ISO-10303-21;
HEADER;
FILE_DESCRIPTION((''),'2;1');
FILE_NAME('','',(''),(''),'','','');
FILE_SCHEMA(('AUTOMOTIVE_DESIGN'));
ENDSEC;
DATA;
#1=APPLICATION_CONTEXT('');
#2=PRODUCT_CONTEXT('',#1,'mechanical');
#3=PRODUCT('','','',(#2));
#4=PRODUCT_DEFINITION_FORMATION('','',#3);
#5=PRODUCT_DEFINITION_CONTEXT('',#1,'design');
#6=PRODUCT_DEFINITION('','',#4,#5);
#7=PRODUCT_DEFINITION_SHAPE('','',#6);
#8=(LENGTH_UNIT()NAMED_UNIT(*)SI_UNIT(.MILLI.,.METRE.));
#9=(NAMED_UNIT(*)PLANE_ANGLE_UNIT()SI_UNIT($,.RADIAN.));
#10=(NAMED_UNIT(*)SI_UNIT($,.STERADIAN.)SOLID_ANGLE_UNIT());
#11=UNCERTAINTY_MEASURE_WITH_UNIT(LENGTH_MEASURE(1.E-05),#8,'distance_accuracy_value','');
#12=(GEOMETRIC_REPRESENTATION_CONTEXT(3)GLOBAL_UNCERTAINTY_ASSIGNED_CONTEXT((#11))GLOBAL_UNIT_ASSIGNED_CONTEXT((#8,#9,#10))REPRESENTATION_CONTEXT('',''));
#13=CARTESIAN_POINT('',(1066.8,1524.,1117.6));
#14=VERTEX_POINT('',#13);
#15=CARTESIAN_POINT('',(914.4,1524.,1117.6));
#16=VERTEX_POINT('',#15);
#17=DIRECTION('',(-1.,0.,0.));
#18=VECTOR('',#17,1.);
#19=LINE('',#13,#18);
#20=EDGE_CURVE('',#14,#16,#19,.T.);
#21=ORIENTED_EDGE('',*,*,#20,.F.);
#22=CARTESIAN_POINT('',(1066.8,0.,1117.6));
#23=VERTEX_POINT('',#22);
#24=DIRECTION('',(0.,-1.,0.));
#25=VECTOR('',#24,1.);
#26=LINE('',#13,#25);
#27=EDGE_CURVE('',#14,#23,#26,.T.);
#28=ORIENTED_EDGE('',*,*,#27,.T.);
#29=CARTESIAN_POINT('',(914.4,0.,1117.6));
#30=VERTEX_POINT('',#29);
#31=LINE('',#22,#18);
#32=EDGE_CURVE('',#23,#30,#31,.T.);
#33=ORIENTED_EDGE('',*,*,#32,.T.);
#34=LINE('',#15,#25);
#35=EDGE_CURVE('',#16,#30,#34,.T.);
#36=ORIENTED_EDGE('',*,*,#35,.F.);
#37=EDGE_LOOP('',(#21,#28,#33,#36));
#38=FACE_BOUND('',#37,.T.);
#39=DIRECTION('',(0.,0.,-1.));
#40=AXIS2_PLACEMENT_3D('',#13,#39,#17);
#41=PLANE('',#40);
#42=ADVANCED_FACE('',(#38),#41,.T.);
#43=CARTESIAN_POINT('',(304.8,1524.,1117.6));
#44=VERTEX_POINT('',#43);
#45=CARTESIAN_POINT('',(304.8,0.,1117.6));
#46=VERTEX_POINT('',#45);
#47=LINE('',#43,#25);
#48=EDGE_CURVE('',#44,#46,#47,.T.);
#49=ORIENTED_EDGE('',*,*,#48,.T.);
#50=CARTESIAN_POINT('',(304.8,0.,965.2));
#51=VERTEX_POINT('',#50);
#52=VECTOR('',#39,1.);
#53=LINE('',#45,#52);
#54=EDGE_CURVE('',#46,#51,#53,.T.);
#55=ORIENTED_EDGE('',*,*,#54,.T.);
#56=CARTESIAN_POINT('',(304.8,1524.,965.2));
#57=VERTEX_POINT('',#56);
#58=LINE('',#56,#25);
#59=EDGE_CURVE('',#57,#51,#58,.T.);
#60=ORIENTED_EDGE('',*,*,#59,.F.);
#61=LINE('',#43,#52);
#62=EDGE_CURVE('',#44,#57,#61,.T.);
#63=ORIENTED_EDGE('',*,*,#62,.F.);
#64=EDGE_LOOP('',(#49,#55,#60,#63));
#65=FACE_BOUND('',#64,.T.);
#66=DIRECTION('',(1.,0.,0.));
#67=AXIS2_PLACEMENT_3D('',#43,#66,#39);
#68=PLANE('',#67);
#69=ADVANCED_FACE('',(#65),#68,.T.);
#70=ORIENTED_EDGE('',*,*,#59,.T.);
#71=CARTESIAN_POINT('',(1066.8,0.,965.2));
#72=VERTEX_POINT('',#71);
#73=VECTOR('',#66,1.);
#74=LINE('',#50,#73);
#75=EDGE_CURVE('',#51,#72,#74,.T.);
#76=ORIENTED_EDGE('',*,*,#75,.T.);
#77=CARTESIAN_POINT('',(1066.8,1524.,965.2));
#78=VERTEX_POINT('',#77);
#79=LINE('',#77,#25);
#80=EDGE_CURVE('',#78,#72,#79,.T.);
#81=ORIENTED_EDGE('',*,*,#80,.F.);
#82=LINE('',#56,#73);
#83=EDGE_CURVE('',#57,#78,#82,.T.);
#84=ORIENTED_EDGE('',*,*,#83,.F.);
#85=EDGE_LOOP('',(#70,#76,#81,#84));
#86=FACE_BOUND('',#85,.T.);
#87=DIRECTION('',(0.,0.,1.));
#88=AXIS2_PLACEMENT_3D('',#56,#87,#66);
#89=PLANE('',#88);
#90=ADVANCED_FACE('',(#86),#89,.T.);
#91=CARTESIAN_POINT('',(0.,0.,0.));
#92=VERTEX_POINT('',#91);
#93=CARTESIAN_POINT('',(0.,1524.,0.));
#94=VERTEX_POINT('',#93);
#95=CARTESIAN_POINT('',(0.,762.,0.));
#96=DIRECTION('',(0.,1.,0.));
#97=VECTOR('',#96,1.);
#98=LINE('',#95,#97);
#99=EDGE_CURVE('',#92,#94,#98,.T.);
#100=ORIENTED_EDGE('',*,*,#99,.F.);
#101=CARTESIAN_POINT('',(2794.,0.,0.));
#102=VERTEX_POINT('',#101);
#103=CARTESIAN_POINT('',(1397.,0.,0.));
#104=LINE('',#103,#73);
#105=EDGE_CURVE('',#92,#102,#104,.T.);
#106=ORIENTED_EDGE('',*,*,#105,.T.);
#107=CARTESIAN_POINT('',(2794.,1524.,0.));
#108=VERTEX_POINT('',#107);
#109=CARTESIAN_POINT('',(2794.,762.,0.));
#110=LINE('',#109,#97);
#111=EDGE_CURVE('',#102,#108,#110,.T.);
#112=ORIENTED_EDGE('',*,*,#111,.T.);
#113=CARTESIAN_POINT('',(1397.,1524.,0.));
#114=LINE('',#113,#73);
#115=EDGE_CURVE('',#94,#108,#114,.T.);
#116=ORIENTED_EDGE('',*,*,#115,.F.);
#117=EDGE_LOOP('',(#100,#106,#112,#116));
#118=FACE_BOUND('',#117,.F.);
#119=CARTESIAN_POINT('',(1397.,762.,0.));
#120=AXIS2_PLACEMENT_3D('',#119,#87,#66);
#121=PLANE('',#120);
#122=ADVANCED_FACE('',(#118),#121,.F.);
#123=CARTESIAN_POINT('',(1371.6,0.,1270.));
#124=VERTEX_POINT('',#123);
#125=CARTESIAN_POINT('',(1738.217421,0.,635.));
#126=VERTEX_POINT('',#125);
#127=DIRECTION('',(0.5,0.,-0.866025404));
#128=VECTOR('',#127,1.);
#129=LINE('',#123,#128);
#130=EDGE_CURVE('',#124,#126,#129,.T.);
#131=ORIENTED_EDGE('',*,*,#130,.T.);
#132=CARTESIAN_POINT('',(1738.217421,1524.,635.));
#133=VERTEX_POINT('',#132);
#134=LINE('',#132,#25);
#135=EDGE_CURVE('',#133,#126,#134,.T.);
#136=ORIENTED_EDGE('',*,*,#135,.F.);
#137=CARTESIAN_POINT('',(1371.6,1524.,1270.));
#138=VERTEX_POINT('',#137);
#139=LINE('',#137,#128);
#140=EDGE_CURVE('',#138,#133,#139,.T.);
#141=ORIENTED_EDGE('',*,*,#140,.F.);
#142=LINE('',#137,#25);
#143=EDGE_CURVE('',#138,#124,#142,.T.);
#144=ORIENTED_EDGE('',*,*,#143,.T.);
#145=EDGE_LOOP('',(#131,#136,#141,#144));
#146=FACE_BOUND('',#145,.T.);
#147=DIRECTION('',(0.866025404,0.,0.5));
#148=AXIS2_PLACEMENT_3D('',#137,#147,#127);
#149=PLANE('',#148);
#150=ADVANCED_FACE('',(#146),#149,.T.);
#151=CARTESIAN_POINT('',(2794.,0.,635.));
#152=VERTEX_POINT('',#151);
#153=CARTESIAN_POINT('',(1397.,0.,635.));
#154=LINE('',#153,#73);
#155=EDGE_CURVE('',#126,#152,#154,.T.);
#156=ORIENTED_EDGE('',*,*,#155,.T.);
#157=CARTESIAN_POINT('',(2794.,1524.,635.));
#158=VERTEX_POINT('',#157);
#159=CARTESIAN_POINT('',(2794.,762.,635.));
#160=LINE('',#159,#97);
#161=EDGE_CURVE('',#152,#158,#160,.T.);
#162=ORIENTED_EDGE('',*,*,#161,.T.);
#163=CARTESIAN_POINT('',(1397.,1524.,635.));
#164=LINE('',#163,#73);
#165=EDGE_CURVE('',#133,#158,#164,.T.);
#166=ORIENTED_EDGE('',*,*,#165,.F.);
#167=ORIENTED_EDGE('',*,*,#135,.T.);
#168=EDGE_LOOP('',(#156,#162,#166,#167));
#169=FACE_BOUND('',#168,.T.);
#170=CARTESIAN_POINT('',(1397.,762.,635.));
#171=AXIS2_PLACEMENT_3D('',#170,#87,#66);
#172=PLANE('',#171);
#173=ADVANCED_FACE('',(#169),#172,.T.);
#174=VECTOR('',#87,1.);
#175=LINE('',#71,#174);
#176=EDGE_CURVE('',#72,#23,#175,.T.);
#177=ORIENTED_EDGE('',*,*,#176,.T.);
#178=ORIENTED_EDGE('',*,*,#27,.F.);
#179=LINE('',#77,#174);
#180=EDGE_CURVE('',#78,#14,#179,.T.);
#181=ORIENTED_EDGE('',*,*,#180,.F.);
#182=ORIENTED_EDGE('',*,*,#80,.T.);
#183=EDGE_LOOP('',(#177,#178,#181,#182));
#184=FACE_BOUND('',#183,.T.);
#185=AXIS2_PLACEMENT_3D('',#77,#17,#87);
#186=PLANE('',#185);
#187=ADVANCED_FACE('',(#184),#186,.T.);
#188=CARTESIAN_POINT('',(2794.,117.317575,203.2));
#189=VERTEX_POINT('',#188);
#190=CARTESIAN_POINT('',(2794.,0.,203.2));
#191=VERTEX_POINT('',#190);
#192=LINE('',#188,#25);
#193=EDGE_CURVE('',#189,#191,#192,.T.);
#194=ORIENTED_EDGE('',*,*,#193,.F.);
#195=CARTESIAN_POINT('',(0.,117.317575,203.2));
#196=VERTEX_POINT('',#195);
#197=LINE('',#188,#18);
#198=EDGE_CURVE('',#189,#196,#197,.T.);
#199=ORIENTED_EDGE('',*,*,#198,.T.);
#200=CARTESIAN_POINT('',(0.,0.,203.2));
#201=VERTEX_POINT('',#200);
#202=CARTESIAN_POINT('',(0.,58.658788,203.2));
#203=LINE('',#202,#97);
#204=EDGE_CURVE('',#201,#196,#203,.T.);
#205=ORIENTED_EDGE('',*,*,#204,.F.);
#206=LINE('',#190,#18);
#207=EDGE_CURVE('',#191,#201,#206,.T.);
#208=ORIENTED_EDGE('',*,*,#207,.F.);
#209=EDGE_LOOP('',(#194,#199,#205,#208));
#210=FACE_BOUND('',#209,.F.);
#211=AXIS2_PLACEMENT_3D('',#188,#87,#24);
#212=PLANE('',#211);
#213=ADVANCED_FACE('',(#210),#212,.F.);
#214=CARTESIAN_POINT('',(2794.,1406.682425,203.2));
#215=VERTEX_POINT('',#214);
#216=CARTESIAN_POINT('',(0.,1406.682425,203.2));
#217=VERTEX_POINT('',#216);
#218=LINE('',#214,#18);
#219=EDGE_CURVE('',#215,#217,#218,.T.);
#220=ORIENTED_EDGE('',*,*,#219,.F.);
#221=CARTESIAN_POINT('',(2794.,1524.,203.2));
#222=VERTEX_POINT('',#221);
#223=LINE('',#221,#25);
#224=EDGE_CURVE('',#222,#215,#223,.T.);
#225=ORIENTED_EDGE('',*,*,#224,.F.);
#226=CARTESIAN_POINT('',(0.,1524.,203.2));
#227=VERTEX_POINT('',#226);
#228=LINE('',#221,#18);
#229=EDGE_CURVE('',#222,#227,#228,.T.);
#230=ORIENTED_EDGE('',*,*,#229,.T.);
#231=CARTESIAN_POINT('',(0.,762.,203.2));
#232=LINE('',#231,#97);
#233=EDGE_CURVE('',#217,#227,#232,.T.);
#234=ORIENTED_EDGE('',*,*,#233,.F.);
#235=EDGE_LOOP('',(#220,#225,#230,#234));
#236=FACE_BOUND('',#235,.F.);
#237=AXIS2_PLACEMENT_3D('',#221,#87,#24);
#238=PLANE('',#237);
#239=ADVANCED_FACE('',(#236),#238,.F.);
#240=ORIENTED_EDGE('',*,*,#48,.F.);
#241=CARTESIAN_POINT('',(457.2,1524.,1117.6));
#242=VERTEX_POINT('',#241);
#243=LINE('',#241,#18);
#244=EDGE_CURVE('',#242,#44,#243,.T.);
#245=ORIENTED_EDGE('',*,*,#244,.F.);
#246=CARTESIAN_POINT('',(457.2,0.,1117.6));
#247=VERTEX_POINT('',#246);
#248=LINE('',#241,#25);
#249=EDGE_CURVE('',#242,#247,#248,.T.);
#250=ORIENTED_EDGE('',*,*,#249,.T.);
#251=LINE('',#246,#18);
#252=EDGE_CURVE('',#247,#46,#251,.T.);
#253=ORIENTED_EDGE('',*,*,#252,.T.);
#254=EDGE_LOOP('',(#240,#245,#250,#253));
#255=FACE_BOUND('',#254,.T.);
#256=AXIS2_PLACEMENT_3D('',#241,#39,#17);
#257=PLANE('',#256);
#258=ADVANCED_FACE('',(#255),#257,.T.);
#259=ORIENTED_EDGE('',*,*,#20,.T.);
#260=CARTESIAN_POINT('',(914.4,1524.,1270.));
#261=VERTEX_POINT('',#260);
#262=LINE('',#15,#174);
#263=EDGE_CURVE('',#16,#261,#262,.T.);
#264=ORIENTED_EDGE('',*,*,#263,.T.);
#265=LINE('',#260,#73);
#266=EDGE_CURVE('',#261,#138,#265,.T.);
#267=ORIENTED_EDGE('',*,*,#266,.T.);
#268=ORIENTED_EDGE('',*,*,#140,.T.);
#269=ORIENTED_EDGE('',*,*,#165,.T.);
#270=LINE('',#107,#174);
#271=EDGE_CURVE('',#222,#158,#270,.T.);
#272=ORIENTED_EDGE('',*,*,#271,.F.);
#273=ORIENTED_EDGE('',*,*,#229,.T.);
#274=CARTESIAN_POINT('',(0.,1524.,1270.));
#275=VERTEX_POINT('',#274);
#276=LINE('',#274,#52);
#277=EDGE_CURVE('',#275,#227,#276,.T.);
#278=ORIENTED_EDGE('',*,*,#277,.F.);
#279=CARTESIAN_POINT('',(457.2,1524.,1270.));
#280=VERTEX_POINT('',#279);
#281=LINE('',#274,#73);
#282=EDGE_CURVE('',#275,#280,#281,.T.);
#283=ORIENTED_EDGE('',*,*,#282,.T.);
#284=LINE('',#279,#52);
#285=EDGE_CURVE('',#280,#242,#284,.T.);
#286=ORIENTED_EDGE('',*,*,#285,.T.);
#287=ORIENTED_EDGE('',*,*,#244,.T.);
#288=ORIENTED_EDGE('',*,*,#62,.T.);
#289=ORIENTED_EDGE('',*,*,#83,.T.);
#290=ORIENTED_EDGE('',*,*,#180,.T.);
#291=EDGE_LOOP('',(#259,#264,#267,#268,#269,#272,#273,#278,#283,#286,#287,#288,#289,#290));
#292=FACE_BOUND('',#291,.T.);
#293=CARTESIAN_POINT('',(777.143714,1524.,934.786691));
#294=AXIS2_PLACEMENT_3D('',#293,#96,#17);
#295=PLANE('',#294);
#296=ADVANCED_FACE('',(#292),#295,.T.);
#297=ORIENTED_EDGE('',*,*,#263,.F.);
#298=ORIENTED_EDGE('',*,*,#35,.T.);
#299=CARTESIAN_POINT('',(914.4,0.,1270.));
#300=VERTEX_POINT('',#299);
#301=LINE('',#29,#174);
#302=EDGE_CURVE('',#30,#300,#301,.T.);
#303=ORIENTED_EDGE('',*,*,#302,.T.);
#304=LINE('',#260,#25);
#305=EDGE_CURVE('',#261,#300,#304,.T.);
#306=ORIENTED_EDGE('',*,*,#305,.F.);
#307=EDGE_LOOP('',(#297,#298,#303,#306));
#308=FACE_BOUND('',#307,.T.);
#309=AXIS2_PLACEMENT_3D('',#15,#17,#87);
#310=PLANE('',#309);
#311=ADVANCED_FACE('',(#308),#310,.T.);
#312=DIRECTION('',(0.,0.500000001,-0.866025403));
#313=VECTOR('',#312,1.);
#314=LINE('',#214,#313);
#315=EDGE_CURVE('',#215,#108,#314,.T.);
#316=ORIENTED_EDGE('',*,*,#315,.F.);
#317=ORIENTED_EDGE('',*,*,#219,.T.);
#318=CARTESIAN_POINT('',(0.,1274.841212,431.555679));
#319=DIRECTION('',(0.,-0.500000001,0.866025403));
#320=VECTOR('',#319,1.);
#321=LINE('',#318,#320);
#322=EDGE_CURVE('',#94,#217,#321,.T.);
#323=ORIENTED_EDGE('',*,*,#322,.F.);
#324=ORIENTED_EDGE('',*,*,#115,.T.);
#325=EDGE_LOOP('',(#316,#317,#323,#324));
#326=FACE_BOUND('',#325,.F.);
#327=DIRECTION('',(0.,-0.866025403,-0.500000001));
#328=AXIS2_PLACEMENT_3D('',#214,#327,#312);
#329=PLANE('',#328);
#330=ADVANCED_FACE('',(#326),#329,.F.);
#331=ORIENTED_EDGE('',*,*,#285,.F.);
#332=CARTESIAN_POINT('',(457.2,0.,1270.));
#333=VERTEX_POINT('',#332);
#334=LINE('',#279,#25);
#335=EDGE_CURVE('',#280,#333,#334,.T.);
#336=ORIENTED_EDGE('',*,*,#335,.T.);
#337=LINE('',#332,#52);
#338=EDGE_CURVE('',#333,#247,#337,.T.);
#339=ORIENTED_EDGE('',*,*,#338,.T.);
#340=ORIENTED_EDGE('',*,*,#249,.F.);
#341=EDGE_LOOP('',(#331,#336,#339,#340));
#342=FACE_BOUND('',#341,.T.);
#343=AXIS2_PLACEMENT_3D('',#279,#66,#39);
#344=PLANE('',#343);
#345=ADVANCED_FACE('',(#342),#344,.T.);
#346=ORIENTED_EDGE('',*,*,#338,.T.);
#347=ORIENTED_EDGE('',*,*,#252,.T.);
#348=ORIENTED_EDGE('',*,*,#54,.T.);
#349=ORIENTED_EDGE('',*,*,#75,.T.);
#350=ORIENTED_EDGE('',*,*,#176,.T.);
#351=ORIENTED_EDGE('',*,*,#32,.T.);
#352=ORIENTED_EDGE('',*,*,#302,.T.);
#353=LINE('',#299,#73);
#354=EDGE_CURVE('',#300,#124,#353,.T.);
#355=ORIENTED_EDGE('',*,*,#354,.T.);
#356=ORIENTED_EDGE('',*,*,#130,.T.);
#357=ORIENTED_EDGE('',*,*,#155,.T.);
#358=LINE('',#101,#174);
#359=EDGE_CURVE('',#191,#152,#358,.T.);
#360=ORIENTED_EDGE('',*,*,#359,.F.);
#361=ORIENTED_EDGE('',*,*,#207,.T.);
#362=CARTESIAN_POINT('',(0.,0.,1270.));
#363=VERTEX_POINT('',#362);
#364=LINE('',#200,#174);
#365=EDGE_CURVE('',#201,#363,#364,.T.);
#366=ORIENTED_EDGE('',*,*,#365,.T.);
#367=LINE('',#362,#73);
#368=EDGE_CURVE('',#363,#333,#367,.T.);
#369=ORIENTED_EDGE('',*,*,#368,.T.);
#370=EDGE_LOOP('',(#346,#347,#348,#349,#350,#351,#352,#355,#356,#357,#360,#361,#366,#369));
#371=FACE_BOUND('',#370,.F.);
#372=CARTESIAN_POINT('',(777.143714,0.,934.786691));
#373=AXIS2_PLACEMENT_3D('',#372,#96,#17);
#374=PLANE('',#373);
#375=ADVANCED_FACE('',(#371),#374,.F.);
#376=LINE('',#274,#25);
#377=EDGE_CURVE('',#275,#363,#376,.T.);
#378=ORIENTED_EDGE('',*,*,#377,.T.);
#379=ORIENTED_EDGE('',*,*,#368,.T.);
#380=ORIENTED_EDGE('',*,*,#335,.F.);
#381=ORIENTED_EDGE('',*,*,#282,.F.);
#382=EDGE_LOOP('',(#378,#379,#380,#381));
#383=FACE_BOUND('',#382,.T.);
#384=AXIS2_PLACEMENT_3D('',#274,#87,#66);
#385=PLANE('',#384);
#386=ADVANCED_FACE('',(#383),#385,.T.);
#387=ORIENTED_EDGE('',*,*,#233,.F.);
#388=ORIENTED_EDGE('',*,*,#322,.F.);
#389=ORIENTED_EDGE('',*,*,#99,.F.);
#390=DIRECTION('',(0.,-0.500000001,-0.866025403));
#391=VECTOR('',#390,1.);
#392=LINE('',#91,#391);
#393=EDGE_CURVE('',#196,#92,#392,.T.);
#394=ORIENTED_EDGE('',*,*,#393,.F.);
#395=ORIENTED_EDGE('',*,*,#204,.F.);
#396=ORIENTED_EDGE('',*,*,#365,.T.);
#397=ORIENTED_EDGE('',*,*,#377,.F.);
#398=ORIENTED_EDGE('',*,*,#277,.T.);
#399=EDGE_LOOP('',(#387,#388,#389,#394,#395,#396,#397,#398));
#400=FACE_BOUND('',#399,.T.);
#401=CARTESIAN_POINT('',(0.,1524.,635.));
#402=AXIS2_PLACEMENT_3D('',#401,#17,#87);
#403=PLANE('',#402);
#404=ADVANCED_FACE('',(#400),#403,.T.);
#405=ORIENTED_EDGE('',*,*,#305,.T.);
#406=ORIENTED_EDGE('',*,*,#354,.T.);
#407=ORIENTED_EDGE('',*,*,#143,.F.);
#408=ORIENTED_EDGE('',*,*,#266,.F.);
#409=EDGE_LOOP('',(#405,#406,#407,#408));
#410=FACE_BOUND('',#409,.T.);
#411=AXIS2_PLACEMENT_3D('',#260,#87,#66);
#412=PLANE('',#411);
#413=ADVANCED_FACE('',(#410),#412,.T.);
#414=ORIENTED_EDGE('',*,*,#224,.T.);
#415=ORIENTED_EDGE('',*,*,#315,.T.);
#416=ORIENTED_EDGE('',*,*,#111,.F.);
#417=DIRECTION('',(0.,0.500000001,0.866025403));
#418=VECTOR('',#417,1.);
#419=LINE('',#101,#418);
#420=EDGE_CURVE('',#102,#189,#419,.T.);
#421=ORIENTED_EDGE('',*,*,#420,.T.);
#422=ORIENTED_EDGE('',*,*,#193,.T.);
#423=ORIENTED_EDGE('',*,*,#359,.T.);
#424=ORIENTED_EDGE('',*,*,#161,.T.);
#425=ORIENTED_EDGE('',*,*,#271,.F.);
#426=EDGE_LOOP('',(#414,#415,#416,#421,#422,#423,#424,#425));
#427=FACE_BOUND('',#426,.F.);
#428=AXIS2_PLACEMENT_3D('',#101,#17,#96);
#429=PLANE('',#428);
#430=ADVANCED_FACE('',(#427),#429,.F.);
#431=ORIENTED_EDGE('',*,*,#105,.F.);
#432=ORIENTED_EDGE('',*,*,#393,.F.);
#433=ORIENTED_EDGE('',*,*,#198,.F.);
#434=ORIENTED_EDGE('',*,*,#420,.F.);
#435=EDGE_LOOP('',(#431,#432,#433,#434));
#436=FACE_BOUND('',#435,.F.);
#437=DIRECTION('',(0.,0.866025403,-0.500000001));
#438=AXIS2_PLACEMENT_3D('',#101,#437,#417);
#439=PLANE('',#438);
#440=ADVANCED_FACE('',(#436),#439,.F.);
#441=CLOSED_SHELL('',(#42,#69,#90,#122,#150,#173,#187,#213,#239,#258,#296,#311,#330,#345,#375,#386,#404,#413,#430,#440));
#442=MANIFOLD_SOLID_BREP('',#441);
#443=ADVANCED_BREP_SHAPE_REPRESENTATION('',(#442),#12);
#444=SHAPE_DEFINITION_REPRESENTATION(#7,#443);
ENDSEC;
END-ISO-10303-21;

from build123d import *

# Parameters (mm, degrees)
F0_W     = 2794
F0_H     = 1524
F1_DEPTH = 635
F3_DEPTH = 2794.001
F5_DEPTH = 2794.001
F7_DEPTH = 1524


with BuildPart() as f1:
    # F0 (on Top) → F1 (new body)
    with BuildSketch(Plane.XY):
        with Locations((1397, 762)):
            Rectangle(F0_W, F0_H)
    extrude(amount=F1_DEPTH)

    # F2 (on face) → F3 (cut, through all)
    with BuildSketch(Plane.YZ.offset(2794)):
        Polygon((0, 203.2), (0, 0), (117.317575, 203.2), align=None)
    extrude(amount=-F3_DEPTH, mode=Mode.SUBTRACT)

    # F4 (on face) → F5 (cut, through all)
    with BuildSketch(Plane.YZ.offset(2794)):
        Polygon((1406.682425, 203.2), (1524, 0), (1524, 203.2), align=None)
    extrude(amount=-F5_DEPTH, mode=Mode.SUBTRACT)

    # F6 (on face) → F7 (join)
    with BuildSketch(Plane(origin=(0, 1524, 0), x_dir=(-1, 0, 0), z_dir=(0, 1, 0))):
        Polygon((-1738.217421, 635), (0, 635), (0, 1270), (-457.2, 1270), (-457.2, 1117.6), (-304.8, 1117.6), (-304.8, 965.2), (-1066.8, 965.2), (-1066.8, 1117.6), (-914.4, 1117.6), (-914.4, 1270), (-1371.6, 1270), align=None)
    extrude(amount=-F7_DEPTH)


solid = f1.part
